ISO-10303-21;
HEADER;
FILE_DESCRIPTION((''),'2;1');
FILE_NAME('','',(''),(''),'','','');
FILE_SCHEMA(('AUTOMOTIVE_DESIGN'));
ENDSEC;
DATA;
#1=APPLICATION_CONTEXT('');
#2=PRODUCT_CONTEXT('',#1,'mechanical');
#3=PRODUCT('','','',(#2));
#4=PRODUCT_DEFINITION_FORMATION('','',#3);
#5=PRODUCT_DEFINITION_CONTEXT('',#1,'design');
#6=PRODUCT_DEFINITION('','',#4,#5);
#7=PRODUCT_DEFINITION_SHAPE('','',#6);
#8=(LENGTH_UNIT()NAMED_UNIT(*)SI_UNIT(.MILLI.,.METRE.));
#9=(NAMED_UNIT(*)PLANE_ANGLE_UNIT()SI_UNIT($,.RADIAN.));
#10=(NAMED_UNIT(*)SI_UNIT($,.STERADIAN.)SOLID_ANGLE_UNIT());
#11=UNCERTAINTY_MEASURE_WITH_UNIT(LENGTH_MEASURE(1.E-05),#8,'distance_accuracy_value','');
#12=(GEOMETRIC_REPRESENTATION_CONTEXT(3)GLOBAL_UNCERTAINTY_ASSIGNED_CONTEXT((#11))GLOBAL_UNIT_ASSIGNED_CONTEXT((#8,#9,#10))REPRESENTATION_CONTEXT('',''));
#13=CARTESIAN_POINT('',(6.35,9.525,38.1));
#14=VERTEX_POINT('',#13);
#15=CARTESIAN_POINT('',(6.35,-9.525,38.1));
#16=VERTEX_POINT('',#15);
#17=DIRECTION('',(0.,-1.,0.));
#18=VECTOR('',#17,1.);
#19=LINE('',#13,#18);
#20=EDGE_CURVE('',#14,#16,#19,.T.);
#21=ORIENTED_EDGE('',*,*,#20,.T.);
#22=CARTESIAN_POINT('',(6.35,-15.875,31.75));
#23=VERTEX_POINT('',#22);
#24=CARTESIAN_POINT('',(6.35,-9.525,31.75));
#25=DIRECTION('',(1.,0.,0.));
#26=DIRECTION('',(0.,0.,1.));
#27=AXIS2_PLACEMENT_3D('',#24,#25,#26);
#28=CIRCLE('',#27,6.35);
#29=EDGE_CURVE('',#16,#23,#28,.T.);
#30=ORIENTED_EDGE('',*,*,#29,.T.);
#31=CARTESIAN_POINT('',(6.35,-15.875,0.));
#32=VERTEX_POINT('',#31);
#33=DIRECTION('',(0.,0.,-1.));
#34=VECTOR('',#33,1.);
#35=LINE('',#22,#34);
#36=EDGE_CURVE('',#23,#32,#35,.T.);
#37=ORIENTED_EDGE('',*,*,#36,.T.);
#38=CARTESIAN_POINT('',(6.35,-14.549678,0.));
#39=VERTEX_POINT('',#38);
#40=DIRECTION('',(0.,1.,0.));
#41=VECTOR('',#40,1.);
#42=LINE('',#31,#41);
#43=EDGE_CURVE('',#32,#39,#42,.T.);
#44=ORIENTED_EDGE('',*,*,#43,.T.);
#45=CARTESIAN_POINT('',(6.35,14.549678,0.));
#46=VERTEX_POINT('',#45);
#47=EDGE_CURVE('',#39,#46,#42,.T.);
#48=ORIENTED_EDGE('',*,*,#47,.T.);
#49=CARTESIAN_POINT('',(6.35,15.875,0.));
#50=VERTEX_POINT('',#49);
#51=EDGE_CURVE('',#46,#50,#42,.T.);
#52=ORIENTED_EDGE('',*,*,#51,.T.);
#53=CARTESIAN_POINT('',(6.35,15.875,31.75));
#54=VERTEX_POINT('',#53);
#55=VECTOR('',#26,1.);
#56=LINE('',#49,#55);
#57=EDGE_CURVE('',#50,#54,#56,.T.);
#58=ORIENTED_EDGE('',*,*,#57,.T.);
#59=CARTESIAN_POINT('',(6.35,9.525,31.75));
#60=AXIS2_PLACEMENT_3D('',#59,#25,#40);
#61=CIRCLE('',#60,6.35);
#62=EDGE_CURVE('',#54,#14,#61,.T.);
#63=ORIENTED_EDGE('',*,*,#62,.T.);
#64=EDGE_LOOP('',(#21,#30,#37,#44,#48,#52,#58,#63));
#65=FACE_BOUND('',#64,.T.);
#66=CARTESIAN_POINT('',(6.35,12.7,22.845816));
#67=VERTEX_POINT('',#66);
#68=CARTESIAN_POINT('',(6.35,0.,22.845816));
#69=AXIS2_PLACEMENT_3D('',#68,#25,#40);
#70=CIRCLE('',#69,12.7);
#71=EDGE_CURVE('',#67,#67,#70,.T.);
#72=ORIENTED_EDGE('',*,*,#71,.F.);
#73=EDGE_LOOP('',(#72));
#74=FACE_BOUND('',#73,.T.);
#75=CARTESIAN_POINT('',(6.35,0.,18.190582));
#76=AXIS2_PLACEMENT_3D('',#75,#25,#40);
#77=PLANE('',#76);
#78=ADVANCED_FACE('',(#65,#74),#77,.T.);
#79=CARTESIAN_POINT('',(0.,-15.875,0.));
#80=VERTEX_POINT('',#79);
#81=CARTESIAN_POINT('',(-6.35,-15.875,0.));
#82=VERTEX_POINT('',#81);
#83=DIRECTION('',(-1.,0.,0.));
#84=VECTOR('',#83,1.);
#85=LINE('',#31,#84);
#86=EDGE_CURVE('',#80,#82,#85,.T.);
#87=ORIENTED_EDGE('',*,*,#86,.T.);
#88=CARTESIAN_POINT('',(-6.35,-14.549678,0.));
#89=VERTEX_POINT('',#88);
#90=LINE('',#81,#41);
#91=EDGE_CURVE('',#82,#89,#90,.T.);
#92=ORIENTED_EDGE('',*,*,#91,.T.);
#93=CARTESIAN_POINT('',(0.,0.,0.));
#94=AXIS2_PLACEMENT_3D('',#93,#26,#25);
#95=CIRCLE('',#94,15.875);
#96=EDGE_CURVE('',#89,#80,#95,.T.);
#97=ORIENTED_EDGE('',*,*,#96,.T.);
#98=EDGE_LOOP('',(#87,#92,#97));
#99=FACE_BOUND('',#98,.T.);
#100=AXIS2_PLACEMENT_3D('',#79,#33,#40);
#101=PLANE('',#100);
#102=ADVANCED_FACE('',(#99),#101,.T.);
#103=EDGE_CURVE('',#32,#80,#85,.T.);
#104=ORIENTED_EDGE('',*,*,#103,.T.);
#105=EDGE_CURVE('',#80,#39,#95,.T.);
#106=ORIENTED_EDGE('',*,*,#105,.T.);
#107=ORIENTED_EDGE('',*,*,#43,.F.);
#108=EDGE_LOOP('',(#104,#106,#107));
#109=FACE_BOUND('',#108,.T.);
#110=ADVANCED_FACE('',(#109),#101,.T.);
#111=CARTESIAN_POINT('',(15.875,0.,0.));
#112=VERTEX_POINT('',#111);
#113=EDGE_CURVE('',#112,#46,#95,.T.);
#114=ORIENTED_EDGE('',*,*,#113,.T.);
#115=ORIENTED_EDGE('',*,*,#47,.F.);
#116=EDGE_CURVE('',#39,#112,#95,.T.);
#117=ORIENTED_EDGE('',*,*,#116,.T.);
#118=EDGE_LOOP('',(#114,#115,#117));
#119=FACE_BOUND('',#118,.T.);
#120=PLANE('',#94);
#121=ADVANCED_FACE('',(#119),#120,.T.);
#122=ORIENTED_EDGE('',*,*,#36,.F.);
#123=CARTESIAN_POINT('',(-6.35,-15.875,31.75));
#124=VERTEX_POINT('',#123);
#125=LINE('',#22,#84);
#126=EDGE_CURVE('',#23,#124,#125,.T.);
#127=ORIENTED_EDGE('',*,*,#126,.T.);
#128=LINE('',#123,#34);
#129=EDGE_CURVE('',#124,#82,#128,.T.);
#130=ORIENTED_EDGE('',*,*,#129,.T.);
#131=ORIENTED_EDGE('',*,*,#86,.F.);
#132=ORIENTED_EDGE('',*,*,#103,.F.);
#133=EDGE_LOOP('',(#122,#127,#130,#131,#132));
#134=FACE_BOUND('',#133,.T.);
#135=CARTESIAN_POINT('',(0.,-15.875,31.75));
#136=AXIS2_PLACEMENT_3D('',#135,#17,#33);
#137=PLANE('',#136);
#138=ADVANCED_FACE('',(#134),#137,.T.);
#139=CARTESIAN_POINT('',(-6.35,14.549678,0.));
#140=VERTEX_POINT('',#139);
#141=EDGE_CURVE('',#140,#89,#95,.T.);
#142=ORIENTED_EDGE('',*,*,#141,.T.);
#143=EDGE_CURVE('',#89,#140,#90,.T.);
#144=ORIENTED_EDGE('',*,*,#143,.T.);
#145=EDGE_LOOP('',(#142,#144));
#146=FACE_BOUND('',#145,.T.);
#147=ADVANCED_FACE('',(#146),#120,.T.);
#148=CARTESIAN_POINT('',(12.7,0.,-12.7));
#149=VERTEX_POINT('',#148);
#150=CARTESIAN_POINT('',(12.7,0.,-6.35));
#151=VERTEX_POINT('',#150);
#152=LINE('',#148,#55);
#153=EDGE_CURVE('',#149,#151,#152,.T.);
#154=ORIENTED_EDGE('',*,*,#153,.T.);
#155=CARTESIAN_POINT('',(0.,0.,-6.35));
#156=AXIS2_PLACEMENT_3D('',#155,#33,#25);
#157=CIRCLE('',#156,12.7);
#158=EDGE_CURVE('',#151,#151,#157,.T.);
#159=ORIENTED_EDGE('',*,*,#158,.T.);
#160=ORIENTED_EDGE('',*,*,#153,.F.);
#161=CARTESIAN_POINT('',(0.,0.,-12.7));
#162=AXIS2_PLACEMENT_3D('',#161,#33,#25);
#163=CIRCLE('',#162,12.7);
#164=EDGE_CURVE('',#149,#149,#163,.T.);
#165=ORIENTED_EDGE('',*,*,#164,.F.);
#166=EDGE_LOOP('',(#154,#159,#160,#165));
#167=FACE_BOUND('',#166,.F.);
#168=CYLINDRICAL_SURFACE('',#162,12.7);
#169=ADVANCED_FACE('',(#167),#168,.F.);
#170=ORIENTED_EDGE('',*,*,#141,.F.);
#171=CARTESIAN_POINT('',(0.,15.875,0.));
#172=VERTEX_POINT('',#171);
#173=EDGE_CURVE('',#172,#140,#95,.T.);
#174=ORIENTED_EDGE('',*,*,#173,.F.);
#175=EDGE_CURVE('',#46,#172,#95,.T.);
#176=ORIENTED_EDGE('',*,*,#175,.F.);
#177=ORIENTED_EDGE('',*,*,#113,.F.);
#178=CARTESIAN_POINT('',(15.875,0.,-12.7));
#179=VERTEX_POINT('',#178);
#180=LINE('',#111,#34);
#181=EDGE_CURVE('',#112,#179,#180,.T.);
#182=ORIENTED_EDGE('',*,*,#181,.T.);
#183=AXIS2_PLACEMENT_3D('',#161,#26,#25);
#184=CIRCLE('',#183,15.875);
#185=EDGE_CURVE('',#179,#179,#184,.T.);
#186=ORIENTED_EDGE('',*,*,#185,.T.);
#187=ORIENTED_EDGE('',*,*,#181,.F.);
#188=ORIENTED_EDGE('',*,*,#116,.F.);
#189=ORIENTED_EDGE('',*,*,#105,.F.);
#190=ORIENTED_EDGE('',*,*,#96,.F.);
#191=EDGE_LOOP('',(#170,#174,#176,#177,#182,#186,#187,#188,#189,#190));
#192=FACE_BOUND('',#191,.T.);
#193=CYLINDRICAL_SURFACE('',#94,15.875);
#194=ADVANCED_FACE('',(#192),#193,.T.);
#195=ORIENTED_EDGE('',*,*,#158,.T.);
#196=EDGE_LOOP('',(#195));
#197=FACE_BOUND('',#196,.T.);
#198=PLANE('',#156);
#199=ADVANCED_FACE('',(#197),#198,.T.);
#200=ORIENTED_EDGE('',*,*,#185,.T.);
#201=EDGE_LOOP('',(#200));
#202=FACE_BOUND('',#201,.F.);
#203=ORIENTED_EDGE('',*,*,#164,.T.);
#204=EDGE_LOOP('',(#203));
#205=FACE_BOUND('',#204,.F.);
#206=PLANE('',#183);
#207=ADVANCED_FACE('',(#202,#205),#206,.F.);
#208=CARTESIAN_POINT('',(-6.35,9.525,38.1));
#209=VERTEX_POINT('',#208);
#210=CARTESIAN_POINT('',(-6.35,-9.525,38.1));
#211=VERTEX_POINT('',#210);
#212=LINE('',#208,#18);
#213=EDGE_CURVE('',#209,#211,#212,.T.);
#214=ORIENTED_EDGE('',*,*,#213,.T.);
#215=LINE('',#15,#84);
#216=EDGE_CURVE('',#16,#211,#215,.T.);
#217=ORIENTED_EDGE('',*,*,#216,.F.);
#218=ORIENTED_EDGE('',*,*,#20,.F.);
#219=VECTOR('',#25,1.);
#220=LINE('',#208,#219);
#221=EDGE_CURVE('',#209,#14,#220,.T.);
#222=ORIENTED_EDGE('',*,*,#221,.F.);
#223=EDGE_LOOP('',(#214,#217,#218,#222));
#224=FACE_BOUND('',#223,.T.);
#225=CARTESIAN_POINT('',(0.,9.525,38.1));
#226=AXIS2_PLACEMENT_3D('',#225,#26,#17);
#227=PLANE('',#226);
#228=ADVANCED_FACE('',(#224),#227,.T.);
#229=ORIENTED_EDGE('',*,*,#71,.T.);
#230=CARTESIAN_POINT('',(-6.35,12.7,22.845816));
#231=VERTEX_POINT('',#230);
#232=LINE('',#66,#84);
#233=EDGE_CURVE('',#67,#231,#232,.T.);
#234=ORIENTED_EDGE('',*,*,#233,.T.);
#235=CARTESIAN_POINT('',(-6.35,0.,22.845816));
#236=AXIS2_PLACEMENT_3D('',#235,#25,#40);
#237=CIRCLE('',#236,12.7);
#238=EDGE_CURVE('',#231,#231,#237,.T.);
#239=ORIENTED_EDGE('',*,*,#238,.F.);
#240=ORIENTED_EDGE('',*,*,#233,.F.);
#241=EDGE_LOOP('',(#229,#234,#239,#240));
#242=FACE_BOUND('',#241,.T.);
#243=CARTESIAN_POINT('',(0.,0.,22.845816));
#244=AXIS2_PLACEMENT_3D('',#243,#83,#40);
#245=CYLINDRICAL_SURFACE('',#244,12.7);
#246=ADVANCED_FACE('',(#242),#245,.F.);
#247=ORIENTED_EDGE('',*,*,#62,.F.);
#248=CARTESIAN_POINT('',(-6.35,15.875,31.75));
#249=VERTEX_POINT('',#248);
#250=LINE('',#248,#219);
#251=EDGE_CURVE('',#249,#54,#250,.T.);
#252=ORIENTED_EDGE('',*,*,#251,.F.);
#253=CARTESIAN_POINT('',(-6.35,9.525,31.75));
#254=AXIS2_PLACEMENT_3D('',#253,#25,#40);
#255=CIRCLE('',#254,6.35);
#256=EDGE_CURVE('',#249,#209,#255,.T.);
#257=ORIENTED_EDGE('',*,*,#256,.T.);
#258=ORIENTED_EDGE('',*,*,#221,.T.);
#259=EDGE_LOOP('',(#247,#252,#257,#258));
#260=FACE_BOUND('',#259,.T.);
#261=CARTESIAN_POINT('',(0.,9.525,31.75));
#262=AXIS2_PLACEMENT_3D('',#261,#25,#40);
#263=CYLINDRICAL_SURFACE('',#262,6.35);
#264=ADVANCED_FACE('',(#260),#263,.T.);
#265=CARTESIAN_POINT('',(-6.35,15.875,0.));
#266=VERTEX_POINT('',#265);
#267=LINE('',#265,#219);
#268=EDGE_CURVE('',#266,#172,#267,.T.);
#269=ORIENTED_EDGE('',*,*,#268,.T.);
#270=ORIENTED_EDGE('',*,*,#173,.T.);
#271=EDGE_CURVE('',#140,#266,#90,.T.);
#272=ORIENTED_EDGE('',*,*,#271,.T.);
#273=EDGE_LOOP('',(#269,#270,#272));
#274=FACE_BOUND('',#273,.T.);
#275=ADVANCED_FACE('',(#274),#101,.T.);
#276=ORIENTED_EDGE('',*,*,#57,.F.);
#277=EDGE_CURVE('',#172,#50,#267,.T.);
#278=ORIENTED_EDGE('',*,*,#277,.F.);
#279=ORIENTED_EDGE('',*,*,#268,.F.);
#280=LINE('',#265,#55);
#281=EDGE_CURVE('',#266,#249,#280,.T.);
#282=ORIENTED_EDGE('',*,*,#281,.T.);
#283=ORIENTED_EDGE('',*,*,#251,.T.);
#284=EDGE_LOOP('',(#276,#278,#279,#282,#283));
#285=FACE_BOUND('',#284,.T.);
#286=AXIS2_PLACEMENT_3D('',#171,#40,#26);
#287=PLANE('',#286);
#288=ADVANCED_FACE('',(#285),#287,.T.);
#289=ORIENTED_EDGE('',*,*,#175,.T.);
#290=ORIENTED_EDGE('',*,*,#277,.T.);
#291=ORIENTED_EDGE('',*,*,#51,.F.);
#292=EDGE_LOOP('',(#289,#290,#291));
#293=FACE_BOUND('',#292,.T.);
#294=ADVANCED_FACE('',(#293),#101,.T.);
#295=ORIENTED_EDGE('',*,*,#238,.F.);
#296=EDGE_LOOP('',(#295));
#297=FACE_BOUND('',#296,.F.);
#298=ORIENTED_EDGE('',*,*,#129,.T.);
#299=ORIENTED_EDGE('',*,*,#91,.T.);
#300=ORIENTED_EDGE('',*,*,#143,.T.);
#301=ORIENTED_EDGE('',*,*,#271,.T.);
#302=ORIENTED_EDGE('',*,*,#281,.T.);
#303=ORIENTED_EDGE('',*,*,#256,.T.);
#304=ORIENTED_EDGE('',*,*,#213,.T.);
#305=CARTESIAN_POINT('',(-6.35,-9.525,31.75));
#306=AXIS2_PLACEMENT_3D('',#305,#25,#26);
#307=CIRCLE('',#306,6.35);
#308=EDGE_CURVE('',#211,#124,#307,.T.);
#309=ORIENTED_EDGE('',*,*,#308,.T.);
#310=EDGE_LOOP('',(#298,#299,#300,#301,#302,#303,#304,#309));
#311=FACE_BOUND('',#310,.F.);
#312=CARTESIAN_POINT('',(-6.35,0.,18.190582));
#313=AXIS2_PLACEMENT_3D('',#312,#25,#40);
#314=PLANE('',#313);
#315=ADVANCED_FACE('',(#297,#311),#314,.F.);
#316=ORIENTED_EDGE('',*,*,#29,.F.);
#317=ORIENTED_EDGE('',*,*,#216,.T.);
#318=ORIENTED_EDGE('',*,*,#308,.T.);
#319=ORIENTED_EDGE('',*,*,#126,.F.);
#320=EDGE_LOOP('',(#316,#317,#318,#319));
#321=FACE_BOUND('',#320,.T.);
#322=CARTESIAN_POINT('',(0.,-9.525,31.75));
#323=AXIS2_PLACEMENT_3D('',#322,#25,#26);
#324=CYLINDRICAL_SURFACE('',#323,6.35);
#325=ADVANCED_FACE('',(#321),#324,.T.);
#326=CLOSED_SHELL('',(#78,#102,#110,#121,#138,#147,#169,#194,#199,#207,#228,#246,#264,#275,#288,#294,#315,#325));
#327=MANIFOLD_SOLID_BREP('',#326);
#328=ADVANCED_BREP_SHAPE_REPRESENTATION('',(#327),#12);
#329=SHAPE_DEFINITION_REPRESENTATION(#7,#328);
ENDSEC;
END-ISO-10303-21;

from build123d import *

# Parameters (mm, degrees)
F0_R     = 12.7
F2_DEPTH = 6.35
F3_DEPTH = 6.35
F1_R     = 15.875
F1_R_2   = 12.7
F4_DEPTH = 12.7
F5_R     = 12.7
F6_DEPTH = 6.35


with BuildPart() as f2:
    # F0 (on Right) → F2 (new body)
    with BuildSketch(Plane.YZ):
        with BuildLine():
            Line((-15.875, 0), (15.875, 0))
            Line((15.875, 0), (15.875, 31.75))
            ThreePointArc((15.875, 31.75), (14.0151280605, 36.2401280605), (9.525, 38.1))
            Line((9.525, 38.1), (-9.525, 38.1))
            ThreePointArc((-9.525, 38.1), (-14.0151280605, 36.2401280605), (-15.875, 31.75))
            Line((-15.875, 31.75), (-15.875, 0))
        make_face()
        with Locations((0, 22.8458158672)):
            Circle(F0_R, mode=Mode.SUBTRACT)
    extrude(amount=F2_DEPTH)

    # F3 (add): a face of the model
    f3_faces = [f2.faces().sort_by_distance(p)[0] for p in [
        (0, 0, 0.4959508544),
    ]]
    extrude(f3_faces, amount=F3_DEPTH)

    # F1 (on Top) → F4 (join)
    with BuildSketch(Plane.XY):
        Circle(F1_R)
        Circle(F1_R_2, mode=Mode.SUBTRACT)
        Circle(F1_R_2)
    extrude(amount=-F4_DEPTH)

    # F5 (on face) → F6 (cut)
    with BuildSketch(Plane(origin=(0, 0, -12.7), x_dir=(1, 0, 0), z_dir=(0, 0, -1))):
        Circle(F5_R)
    extrude(amount=-F6_DEPTH, mode=Mode.SUBTRACT)


solid = f2.part
